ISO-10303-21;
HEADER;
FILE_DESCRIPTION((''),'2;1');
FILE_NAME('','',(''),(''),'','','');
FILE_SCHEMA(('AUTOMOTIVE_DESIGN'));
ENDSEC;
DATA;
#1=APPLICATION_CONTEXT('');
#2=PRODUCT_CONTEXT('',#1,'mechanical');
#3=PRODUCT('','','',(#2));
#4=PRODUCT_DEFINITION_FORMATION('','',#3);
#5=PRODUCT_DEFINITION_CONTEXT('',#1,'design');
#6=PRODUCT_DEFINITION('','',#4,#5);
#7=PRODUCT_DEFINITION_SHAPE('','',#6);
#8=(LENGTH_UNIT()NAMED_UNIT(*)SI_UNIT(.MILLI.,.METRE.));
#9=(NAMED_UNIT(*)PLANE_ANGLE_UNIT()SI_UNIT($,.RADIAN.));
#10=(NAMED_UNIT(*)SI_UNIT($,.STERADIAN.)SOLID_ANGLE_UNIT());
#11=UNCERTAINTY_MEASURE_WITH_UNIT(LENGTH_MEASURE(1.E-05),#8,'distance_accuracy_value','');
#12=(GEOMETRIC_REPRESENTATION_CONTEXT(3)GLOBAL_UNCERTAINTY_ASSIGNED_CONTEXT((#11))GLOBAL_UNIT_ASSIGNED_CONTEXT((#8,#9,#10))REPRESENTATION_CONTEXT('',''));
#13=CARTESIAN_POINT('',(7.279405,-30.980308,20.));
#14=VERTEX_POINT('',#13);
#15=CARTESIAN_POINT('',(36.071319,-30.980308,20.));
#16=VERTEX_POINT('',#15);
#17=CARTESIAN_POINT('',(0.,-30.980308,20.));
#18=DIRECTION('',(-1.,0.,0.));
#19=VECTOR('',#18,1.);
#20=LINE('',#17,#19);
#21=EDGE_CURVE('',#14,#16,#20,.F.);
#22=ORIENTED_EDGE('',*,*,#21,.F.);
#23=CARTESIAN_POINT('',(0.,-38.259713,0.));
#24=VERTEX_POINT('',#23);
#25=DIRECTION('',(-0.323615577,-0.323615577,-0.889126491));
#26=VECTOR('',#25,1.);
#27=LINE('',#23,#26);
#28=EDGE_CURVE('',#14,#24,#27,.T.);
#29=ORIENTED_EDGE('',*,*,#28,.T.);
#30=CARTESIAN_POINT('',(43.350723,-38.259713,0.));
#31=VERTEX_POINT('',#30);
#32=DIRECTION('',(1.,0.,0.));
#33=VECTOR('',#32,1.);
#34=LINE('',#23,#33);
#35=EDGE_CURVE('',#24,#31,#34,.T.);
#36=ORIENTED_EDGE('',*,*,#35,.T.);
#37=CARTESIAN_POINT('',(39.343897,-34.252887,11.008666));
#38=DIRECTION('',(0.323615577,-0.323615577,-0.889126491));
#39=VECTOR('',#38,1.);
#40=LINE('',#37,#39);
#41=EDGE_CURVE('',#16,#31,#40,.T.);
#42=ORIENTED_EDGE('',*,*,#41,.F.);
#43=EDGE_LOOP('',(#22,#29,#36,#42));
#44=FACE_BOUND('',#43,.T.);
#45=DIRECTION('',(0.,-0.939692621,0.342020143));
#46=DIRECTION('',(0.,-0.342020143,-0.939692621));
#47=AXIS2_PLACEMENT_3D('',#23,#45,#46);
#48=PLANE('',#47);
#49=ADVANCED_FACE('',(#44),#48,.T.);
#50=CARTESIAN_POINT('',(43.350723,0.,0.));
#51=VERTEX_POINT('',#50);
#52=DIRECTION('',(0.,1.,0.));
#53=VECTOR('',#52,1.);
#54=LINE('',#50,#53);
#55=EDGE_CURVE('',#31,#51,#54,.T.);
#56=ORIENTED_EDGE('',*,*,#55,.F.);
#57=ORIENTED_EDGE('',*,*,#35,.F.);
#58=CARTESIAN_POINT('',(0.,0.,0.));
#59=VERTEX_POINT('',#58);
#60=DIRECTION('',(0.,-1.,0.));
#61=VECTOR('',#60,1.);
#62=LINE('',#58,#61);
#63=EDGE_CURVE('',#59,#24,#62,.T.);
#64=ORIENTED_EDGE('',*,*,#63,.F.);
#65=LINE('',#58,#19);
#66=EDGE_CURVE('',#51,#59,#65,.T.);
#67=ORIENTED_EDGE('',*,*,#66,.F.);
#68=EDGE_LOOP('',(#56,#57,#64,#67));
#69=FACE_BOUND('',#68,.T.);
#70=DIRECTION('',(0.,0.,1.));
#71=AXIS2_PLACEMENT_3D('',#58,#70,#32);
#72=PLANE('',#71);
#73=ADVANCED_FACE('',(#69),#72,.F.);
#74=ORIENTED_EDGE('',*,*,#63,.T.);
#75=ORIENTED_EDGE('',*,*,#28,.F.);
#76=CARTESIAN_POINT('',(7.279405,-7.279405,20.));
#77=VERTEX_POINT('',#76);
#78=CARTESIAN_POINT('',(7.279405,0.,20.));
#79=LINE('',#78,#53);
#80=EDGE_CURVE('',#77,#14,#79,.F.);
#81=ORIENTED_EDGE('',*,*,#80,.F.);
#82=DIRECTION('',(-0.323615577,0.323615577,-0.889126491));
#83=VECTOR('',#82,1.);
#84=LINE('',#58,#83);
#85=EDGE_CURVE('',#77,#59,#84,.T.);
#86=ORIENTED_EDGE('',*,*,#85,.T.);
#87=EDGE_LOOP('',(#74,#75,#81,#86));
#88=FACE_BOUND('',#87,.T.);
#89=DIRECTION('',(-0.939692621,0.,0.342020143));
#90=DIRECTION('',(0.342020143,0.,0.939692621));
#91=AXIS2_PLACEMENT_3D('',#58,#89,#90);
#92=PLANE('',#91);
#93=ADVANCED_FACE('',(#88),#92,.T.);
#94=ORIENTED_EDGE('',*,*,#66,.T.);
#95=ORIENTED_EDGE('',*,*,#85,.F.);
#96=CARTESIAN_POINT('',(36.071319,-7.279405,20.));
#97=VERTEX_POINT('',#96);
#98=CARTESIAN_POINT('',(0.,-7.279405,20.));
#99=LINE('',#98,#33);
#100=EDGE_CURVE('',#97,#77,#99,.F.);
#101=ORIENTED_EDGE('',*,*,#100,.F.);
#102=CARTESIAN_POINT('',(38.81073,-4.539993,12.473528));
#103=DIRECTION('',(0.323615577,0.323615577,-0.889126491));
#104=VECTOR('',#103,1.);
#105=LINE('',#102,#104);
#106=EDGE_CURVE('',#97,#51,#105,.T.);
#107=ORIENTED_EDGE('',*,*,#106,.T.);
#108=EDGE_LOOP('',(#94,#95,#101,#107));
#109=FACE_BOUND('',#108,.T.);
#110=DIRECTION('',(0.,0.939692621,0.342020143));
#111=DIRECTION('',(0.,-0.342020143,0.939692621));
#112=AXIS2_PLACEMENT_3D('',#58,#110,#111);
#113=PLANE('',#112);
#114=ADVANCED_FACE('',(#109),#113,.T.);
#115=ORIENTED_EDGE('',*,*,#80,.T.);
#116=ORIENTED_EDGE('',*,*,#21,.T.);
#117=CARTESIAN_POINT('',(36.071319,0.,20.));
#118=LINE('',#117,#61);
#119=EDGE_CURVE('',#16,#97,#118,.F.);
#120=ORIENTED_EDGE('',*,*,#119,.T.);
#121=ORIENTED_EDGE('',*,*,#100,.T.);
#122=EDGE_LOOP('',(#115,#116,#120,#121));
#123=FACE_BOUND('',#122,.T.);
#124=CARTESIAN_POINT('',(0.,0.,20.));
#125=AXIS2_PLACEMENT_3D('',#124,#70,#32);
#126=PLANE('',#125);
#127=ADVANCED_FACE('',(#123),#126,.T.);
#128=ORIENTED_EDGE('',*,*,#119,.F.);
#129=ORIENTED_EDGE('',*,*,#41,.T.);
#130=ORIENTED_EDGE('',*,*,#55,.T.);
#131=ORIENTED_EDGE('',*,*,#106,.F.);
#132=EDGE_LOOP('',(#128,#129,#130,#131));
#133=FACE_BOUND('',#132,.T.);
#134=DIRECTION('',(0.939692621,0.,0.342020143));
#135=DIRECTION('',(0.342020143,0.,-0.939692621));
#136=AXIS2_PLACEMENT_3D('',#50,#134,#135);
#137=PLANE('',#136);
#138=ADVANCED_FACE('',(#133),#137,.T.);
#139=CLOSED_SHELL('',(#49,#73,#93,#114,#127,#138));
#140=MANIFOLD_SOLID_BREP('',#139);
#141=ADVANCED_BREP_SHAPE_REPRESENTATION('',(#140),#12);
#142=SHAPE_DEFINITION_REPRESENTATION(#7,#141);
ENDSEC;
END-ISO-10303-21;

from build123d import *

# Parameters (mm, degrees)
F_1_FR_W        = 43.350723316
F_1_FR_H        = 38.259713105
EXTRUDE_1_DEPTH = 20
EXTRUDE_1_TAPER = 20


with BuildPart() as part:
    # Эскиз1_fr → Бобышка-Вытянуть1 (new body)
    with BuildSketch(Plane.XY):
        with Locations((21.675361658, -19.129856553)):
            Rectangle(F_1_FR_W, F_1_FR_H)
    extrude(amount=EXTRUDE_1_DEPTH, taper=EXTRUDE_1_TAPER)


solid = part.part
